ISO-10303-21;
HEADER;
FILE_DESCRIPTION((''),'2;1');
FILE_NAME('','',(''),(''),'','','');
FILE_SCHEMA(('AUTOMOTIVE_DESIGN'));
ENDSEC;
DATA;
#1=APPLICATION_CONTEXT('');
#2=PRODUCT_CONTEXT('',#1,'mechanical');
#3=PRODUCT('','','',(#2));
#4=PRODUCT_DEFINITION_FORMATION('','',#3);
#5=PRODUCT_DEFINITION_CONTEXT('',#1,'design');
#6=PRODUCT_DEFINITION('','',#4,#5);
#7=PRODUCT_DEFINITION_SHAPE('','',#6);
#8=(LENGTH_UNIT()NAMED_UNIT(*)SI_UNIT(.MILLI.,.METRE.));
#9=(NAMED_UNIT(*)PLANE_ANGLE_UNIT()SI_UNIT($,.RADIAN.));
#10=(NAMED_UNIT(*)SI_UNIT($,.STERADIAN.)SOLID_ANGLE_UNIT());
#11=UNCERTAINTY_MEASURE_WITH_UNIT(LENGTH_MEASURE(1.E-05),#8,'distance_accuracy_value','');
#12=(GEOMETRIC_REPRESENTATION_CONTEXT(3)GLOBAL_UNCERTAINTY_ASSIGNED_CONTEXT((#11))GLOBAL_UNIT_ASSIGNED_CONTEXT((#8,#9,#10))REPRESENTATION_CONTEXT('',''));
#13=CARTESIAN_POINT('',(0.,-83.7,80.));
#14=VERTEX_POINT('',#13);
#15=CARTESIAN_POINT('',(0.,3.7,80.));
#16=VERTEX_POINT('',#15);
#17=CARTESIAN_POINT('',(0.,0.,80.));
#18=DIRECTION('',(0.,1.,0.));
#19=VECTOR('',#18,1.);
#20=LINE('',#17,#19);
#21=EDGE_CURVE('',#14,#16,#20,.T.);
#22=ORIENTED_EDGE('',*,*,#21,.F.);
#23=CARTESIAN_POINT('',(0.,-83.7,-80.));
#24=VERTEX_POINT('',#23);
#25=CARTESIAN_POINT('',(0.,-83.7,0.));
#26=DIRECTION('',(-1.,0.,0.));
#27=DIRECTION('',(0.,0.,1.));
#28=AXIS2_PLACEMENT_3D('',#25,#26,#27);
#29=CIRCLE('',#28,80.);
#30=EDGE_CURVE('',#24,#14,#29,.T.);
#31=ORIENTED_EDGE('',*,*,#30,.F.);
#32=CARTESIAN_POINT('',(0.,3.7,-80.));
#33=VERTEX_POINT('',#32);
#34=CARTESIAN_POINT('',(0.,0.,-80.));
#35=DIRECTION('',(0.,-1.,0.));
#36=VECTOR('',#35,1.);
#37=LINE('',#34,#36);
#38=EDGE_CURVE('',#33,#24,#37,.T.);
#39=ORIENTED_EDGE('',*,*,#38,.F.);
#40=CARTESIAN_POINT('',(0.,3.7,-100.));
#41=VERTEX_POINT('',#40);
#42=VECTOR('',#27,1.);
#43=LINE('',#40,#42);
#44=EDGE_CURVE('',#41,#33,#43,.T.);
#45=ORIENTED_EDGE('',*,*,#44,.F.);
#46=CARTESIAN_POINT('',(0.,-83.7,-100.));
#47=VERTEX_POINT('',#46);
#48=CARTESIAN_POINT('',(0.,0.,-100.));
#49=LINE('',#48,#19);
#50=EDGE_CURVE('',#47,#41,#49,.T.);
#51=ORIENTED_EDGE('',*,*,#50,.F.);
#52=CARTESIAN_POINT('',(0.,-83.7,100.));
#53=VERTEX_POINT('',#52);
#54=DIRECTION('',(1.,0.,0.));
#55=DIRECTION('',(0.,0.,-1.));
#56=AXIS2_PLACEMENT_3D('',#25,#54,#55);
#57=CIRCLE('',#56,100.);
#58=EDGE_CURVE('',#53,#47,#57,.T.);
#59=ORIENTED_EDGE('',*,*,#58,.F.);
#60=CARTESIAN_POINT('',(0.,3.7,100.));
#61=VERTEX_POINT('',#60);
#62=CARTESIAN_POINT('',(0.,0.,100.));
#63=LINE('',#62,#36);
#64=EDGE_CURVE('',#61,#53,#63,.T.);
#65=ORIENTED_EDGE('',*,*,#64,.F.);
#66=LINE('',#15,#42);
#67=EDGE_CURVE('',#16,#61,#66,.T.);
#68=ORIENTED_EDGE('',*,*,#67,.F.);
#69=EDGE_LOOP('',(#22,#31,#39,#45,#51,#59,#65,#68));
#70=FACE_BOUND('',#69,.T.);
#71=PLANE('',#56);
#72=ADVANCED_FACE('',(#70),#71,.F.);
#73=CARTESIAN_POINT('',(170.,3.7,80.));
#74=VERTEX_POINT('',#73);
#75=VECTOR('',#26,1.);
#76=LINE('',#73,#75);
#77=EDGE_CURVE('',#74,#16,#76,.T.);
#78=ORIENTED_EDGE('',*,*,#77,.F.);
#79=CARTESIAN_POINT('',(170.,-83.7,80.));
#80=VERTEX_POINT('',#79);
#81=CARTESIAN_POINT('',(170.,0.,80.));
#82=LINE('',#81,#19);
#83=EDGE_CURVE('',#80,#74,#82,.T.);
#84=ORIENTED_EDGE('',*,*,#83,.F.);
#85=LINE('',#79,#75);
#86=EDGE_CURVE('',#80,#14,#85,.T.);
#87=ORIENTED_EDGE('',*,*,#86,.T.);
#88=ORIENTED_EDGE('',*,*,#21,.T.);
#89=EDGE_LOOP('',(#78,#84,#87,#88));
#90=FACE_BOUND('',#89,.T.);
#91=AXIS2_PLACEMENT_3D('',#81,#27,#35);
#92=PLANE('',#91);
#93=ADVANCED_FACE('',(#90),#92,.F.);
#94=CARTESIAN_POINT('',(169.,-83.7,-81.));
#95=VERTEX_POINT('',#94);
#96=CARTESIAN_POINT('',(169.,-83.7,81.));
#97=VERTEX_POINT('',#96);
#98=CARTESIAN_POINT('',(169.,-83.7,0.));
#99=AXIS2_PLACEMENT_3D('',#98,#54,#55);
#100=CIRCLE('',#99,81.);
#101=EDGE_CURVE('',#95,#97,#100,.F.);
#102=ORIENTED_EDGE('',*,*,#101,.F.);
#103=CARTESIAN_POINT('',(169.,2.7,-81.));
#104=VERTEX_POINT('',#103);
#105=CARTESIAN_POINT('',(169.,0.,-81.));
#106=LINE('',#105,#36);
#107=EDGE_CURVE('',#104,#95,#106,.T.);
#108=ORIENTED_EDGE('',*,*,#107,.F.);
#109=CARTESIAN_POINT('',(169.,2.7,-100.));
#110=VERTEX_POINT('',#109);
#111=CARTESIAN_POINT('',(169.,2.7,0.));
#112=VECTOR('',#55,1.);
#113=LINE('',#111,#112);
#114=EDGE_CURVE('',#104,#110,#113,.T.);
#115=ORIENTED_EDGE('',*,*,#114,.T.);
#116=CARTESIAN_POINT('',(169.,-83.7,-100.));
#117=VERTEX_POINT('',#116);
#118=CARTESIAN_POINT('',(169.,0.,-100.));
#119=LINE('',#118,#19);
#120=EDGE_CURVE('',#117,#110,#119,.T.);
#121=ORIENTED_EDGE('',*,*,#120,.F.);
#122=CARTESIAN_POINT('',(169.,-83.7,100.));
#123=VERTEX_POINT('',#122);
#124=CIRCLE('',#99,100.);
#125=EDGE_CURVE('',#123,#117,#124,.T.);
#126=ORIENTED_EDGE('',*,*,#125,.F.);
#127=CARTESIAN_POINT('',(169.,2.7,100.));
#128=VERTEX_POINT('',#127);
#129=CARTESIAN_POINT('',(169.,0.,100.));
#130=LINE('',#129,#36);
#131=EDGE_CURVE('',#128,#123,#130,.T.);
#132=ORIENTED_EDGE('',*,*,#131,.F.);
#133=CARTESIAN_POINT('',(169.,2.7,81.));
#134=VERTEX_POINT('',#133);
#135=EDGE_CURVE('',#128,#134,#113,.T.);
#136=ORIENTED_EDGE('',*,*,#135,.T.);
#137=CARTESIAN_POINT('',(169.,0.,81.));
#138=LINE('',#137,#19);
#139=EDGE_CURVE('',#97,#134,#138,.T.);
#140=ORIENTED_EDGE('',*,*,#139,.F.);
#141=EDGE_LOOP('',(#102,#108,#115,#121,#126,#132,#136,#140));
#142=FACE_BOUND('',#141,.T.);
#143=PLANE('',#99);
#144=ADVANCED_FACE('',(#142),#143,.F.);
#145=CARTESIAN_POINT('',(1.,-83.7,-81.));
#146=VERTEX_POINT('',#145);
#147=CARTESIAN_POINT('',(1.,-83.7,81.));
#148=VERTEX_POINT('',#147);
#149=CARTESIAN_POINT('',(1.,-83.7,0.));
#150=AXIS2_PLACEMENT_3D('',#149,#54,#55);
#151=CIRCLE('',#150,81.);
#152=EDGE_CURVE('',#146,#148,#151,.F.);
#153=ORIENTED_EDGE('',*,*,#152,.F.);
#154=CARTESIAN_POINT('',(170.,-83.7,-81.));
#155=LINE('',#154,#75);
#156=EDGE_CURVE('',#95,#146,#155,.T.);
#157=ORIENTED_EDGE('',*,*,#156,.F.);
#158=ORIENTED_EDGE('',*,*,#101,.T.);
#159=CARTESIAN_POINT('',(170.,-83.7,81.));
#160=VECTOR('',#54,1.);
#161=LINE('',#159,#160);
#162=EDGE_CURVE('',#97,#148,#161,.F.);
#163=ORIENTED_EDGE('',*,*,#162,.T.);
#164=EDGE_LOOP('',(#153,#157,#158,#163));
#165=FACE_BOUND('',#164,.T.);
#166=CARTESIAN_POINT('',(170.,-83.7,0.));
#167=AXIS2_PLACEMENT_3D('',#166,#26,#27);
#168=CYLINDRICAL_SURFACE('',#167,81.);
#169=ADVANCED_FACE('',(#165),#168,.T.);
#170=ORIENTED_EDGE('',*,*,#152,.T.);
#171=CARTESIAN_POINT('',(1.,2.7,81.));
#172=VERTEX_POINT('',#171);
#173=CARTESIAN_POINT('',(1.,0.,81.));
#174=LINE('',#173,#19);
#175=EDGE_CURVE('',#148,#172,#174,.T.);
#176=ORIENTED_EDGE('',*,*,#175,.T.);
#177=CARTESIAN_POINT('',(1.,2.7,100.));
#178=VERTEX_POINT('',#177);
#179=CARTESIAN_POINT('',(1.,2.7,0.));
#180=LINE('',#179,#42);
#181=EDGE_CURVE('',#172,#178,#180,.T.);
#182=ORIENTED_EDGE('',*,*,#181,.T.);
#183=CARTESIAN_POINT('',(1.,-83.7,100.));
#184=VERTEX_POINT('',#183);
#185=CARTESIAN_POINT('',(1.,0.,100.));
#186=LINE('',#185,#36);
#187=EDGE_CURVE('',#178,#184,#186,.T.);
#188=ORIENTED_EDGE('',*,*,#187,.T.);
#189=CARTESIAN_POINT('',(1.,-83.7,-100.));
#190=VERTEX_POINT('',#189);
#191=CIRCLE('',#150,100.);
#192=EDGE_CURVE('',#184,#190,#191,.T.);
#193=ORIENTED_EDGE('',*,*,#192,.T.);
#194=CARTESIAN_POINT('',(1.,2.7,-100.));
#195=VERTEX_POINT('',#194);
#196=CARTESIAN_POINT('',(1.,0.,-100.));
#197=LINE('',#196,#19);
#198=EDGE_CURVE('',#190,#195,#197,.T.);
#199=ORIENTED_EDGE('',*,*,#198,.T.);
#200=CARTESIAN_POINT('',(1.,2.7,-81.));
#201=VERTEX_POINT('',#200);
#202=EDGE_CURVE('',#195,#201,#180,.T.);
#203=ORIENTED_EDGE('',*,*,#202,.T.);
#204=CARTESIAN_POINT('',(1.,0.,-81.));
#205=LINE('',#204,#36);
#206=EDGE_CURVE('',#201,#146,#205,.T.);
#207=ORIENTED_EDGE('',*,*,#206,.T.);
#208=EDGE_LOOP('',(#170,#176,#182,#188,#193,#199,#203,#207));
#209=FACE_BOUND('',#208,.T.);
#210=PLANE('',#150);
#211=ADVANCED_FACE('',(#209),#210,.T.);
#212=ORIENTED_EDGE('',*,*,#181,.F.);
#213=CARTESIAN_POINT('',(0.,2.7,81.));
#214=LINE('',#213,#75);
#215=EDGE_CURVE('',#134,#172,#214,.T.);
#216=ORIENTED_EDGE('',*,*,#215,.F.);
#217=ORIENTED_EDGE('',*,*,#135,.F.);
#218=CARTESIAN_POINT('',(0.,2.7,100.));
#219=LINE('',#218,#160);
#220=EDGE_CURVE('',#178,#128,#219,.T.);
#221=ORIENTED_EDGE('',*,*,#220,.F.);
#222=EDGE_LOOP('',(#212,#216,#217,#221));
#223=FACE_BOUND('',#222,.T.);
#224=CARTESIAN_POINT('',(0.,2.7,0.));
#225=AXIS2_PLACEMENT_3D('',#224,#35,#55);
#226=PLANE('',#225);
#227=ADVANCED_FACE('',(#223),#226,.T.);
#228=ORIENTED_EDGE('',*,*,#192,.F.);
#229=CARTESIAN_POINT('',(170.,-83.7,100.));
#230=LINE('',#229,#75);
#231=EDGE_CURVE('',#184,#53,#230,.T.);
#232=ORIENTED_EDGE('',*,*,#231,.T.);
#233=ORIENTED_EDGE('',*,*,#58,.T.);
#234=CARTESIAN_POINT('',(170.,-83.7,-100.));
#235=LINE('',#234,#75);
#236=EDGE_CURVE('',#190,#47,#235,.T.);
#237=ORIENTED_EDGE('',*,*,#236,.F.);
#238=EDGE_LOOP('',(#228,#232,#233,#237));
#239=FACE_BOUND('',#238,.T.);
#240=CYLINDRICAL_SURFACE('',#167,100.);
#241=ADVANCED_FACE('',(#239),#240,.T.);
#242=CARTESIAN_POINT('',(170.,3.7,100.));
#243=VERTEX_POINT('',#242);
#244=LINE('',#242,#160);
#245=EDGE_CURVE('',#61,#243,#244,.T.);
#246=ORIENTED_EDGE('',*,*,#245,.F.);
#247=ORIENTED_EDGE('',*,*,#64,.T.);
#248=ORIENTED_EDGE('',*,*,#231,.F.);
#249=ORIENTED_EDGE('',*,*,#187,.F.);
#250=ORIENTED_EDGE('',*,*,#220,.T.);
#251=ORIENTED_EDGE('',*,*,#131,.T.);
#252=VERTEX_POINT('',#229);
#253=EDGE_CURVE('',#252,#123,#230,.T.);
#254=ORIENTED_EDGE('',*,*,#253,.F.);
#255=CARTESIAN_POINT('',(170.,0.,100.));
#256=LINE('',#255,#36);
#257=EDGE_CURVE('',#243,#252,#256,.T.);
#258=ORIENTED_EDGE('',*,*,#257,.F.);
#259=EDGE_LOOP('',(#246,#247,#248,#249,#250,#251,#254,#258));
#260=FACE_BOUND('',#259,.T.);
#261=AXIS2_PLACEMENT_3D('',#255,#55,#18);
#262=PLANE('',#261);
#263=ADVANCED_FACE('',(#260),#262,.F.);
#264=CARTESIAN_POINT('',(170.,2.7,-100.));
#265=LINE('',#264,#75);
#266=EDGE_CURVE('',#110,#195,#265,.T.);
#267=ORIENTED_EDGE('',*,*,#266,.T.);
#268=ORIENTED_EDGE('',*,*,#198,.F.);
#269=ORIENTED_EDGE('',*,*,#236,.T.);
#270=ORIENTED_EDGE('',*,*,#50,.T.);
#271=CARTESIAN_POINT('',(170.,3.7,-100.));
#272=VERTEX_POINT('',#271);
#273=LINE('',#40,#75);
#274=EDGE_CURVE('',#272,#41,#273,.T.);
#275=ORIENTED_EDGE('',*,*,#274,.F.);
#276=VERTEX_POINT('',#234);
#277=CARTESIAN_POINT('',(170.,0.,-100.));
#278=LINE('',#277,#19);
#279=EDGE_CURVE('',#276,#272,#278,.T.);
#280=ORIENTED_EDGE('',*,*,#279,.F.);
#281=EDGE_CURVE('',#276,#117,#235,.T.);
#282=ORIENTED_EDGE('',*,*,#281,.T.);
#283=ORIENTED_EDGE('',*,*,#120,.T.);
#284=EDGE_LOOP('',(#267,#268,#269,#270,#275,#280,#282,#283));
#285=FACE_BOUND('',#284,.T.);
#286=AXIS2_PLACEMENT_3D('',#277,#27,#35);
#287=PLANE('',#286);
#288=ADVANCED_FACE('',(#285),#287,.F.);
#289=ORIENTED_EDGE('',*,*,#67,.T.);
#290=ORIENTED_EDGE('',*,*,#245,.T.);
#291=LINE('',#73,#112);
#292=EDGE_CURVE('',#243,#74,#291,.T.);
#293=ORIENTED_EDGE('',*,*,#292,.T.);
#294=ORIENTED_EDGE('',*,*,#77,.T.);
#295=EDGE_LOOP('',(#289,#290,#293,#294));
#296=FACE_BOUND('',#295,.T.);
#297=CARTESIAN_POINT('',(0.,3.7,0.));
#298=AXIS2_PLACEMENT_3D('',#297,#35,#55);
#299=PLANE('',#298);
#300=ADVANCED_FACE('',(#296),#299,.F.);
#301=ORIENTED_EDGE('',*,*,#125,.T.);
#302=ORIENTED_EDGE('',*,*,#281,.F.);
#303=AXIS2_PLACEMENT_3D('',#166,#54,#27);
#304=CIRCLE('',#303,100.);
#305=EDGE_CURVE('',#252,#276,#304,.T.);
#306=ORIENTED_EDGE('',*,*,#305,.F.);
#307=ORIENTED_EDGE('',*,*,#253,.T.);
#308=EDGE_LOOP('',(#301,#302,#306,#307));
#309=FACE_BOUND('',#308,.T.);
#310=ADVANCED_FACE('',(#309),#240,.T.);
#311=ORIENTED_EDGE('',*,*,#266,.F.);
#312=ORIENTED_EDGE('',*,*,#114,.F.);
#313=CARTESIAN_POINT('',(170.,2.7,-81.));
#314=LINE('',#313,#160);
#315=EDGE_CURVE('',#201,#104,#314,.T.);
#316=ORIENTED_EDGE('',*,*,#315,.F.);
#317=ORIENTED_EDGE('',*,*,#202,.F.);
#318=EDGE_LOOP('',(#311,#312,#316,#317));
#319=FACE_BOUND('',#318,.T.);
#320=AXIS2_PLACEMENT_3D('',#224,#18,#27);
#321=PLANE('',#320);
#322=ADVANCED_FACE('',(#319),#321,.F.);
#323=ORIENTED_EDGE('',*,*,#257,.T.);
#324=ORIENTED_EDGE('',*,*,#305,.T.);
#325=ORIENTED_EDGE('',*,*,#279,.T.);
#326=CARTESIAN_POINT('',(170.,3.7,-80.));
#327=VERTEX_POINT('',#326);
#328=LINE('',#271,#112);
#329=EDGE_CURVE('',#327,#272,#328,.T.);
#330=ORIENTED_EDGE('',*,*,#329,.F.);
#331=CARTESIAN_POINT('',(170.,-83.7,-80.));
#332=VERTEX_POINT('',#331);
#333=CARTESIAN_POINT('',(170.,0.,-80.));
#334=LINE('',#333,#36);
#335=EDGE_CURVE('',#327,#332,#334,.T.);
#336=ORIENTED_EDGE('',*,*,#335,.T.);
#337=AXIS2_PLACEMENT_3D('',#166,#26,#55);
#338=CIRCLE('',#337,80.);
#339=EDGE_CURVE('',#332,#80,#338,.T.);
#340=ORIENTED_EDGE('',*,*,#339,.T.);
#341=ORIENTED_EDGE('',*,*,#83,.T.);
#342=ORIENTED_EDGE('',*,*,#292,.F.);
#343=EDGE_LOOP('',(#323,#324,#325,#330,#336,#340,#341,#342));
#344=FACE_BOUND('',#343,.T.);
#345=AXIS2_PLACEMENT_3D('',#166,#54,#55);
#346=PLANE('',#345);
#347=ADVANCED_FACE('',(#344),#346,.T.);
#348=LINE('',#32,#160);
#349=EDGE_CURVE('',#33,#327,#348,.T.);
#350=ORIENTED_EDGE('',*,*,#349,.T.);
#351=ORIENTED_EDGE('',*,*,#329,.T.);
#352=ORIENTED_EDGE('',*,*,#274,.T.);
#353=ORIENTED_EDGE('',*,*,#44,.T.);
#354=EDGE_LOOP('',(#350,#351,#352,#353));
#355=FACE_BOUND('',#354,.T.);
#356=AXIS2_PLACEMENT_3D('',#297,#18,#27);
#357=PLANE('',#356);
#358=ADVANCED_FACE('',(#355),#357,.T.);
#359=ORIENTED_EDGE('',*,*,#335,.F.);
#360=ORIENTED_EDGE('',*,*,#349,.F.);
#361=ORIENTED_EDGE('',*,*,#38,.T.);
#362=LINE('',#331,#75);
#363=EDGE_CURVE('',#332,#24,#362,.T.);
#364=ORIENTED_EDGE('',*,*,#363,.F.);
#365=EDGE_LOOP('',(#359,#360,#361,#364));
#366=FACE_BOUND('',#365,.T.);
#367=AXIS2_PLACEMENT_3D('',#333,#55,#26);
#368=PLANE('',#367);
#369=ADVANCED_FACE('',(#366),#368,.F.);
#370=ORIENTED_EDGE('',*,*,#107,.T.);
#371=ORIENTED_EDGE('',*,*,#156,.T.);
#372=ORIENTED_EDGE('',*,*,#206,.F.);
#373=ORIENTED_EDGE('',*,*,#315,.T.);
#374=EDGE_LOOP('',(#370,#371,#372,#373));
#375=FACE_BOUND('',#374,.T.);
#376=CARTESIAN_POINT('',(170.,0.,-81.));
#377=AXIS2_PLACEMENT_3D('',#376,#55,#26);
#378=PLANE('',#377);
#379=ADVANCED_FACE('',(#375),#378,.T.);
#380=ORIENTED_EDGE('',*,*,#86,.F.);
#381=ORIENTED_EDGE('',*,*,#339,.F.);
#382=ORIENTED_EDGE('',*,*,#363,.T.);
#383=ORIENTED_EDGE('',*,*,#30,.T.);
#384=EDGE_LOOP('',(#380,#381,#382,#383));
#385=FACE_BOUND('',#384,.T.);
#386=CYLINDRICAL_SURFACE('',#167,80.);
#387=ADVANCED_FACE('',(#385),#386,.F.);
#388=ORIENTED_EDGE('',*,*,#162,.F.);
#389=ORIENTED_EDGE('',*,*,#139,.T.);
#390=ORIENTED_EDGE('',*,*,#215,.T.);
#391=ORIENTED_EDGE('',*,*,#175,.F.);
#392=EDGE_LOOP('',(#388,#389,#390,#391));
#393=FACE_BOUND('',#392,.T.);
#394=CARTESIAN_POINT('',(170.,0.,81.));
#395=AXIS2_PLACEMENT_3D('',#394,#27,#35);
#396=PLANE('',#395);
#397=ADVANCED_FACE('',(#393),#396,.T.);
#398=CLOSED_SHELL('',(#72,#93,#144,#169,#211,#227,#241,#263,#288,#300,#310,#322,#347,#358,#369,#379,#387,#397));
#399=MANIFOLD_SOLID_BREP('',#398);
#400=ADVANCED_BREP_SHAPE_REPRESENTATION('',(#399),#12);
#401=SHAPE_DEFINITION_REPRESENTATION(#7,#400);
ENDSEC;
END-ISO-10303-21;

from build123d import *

# Parameters (mm, degrees)
SALIENTE_EXTRUIR1_DEPTH = 170
CROQUIS2_W              = 170
CROQUIS2_H              = 20.000000000000014
SALIENTE_EXTRUIR2_DEPTH = 3.7
VACIADO1_T              = -1


with BuildPart() as part:
    # Croquis1 → Saliente-Extruir1 (new body)
    with BuildSketch(Plane(origin=(0, 0, 0), x_dir=(0, 0, -1), z_dir=(1, 0, 0))):
        with BuildLine():
            Line((80, 0), (100, 0))
            Line((100, 0), (99.99999999999999, -83.7))
            ThreePointArc((99.99999999999999, -83.7), (70.71067811865474, -154.41067811865474), (1.125e-14, -183.7))
            ThreePointArc((1.125e-14, -183.7), (-70.71067811865473, -154.41067811865474), (-99.99999999999999, -83.70000000000002))
            Line((-99.99999999999999, -83.70000000000002), (-100, -1.225e-14))
            Line((-100, -1.225e-14), (-80, -9.8e-15))
            Line((-80, -9.8e-15), (-79.99999999999999, -83.70000000000002))
            ThreePointArc((-79.99999999999999, -83.70000000000002), (-56.568542494923804, -140.26854249492382), (-1.47e-14, -163.70000000000002))
            ThreePointArc((-1.47e-14, -163.70000000000002), (56.5685424949238, -140.26854249492382), (80, -83.70000000000002))
            Line((80, -83.70000000000002), (80, 0))
        make_face()
    extrude(amount=SALIENTE_EXTRUIR1_DEPTH)

    # Croquis2 → Saliente-Extruir2 (add)
    with BuildSketch(Plane(origin=(0, 0, 0), x_dir=(1, 0, 0), z_dir=(0, 1, 0))):
        with Locations((85, 90)):
            Rectangle(CROQUIS2_W, CROQUIS2_H)
        with Locations((85, -90)):
            Rectangle(CROQUIS2_W, CROQUIS2_H)
    extrude(amount=SALIENTE_EXTRUIR2_DEPTH)

    # Vaciado1
    vaciado1_openings = [part.faces().sort_by_distance(p)[0] for p in [
        (85, -183.7, 0),
        (85, -40, 100),
        (85, -40, -100),
    ]]
    offset(amount=VACIADO1_T, openings=vaciado1_openings, kind=Kind.INTERSECTION)


solid = part.part
